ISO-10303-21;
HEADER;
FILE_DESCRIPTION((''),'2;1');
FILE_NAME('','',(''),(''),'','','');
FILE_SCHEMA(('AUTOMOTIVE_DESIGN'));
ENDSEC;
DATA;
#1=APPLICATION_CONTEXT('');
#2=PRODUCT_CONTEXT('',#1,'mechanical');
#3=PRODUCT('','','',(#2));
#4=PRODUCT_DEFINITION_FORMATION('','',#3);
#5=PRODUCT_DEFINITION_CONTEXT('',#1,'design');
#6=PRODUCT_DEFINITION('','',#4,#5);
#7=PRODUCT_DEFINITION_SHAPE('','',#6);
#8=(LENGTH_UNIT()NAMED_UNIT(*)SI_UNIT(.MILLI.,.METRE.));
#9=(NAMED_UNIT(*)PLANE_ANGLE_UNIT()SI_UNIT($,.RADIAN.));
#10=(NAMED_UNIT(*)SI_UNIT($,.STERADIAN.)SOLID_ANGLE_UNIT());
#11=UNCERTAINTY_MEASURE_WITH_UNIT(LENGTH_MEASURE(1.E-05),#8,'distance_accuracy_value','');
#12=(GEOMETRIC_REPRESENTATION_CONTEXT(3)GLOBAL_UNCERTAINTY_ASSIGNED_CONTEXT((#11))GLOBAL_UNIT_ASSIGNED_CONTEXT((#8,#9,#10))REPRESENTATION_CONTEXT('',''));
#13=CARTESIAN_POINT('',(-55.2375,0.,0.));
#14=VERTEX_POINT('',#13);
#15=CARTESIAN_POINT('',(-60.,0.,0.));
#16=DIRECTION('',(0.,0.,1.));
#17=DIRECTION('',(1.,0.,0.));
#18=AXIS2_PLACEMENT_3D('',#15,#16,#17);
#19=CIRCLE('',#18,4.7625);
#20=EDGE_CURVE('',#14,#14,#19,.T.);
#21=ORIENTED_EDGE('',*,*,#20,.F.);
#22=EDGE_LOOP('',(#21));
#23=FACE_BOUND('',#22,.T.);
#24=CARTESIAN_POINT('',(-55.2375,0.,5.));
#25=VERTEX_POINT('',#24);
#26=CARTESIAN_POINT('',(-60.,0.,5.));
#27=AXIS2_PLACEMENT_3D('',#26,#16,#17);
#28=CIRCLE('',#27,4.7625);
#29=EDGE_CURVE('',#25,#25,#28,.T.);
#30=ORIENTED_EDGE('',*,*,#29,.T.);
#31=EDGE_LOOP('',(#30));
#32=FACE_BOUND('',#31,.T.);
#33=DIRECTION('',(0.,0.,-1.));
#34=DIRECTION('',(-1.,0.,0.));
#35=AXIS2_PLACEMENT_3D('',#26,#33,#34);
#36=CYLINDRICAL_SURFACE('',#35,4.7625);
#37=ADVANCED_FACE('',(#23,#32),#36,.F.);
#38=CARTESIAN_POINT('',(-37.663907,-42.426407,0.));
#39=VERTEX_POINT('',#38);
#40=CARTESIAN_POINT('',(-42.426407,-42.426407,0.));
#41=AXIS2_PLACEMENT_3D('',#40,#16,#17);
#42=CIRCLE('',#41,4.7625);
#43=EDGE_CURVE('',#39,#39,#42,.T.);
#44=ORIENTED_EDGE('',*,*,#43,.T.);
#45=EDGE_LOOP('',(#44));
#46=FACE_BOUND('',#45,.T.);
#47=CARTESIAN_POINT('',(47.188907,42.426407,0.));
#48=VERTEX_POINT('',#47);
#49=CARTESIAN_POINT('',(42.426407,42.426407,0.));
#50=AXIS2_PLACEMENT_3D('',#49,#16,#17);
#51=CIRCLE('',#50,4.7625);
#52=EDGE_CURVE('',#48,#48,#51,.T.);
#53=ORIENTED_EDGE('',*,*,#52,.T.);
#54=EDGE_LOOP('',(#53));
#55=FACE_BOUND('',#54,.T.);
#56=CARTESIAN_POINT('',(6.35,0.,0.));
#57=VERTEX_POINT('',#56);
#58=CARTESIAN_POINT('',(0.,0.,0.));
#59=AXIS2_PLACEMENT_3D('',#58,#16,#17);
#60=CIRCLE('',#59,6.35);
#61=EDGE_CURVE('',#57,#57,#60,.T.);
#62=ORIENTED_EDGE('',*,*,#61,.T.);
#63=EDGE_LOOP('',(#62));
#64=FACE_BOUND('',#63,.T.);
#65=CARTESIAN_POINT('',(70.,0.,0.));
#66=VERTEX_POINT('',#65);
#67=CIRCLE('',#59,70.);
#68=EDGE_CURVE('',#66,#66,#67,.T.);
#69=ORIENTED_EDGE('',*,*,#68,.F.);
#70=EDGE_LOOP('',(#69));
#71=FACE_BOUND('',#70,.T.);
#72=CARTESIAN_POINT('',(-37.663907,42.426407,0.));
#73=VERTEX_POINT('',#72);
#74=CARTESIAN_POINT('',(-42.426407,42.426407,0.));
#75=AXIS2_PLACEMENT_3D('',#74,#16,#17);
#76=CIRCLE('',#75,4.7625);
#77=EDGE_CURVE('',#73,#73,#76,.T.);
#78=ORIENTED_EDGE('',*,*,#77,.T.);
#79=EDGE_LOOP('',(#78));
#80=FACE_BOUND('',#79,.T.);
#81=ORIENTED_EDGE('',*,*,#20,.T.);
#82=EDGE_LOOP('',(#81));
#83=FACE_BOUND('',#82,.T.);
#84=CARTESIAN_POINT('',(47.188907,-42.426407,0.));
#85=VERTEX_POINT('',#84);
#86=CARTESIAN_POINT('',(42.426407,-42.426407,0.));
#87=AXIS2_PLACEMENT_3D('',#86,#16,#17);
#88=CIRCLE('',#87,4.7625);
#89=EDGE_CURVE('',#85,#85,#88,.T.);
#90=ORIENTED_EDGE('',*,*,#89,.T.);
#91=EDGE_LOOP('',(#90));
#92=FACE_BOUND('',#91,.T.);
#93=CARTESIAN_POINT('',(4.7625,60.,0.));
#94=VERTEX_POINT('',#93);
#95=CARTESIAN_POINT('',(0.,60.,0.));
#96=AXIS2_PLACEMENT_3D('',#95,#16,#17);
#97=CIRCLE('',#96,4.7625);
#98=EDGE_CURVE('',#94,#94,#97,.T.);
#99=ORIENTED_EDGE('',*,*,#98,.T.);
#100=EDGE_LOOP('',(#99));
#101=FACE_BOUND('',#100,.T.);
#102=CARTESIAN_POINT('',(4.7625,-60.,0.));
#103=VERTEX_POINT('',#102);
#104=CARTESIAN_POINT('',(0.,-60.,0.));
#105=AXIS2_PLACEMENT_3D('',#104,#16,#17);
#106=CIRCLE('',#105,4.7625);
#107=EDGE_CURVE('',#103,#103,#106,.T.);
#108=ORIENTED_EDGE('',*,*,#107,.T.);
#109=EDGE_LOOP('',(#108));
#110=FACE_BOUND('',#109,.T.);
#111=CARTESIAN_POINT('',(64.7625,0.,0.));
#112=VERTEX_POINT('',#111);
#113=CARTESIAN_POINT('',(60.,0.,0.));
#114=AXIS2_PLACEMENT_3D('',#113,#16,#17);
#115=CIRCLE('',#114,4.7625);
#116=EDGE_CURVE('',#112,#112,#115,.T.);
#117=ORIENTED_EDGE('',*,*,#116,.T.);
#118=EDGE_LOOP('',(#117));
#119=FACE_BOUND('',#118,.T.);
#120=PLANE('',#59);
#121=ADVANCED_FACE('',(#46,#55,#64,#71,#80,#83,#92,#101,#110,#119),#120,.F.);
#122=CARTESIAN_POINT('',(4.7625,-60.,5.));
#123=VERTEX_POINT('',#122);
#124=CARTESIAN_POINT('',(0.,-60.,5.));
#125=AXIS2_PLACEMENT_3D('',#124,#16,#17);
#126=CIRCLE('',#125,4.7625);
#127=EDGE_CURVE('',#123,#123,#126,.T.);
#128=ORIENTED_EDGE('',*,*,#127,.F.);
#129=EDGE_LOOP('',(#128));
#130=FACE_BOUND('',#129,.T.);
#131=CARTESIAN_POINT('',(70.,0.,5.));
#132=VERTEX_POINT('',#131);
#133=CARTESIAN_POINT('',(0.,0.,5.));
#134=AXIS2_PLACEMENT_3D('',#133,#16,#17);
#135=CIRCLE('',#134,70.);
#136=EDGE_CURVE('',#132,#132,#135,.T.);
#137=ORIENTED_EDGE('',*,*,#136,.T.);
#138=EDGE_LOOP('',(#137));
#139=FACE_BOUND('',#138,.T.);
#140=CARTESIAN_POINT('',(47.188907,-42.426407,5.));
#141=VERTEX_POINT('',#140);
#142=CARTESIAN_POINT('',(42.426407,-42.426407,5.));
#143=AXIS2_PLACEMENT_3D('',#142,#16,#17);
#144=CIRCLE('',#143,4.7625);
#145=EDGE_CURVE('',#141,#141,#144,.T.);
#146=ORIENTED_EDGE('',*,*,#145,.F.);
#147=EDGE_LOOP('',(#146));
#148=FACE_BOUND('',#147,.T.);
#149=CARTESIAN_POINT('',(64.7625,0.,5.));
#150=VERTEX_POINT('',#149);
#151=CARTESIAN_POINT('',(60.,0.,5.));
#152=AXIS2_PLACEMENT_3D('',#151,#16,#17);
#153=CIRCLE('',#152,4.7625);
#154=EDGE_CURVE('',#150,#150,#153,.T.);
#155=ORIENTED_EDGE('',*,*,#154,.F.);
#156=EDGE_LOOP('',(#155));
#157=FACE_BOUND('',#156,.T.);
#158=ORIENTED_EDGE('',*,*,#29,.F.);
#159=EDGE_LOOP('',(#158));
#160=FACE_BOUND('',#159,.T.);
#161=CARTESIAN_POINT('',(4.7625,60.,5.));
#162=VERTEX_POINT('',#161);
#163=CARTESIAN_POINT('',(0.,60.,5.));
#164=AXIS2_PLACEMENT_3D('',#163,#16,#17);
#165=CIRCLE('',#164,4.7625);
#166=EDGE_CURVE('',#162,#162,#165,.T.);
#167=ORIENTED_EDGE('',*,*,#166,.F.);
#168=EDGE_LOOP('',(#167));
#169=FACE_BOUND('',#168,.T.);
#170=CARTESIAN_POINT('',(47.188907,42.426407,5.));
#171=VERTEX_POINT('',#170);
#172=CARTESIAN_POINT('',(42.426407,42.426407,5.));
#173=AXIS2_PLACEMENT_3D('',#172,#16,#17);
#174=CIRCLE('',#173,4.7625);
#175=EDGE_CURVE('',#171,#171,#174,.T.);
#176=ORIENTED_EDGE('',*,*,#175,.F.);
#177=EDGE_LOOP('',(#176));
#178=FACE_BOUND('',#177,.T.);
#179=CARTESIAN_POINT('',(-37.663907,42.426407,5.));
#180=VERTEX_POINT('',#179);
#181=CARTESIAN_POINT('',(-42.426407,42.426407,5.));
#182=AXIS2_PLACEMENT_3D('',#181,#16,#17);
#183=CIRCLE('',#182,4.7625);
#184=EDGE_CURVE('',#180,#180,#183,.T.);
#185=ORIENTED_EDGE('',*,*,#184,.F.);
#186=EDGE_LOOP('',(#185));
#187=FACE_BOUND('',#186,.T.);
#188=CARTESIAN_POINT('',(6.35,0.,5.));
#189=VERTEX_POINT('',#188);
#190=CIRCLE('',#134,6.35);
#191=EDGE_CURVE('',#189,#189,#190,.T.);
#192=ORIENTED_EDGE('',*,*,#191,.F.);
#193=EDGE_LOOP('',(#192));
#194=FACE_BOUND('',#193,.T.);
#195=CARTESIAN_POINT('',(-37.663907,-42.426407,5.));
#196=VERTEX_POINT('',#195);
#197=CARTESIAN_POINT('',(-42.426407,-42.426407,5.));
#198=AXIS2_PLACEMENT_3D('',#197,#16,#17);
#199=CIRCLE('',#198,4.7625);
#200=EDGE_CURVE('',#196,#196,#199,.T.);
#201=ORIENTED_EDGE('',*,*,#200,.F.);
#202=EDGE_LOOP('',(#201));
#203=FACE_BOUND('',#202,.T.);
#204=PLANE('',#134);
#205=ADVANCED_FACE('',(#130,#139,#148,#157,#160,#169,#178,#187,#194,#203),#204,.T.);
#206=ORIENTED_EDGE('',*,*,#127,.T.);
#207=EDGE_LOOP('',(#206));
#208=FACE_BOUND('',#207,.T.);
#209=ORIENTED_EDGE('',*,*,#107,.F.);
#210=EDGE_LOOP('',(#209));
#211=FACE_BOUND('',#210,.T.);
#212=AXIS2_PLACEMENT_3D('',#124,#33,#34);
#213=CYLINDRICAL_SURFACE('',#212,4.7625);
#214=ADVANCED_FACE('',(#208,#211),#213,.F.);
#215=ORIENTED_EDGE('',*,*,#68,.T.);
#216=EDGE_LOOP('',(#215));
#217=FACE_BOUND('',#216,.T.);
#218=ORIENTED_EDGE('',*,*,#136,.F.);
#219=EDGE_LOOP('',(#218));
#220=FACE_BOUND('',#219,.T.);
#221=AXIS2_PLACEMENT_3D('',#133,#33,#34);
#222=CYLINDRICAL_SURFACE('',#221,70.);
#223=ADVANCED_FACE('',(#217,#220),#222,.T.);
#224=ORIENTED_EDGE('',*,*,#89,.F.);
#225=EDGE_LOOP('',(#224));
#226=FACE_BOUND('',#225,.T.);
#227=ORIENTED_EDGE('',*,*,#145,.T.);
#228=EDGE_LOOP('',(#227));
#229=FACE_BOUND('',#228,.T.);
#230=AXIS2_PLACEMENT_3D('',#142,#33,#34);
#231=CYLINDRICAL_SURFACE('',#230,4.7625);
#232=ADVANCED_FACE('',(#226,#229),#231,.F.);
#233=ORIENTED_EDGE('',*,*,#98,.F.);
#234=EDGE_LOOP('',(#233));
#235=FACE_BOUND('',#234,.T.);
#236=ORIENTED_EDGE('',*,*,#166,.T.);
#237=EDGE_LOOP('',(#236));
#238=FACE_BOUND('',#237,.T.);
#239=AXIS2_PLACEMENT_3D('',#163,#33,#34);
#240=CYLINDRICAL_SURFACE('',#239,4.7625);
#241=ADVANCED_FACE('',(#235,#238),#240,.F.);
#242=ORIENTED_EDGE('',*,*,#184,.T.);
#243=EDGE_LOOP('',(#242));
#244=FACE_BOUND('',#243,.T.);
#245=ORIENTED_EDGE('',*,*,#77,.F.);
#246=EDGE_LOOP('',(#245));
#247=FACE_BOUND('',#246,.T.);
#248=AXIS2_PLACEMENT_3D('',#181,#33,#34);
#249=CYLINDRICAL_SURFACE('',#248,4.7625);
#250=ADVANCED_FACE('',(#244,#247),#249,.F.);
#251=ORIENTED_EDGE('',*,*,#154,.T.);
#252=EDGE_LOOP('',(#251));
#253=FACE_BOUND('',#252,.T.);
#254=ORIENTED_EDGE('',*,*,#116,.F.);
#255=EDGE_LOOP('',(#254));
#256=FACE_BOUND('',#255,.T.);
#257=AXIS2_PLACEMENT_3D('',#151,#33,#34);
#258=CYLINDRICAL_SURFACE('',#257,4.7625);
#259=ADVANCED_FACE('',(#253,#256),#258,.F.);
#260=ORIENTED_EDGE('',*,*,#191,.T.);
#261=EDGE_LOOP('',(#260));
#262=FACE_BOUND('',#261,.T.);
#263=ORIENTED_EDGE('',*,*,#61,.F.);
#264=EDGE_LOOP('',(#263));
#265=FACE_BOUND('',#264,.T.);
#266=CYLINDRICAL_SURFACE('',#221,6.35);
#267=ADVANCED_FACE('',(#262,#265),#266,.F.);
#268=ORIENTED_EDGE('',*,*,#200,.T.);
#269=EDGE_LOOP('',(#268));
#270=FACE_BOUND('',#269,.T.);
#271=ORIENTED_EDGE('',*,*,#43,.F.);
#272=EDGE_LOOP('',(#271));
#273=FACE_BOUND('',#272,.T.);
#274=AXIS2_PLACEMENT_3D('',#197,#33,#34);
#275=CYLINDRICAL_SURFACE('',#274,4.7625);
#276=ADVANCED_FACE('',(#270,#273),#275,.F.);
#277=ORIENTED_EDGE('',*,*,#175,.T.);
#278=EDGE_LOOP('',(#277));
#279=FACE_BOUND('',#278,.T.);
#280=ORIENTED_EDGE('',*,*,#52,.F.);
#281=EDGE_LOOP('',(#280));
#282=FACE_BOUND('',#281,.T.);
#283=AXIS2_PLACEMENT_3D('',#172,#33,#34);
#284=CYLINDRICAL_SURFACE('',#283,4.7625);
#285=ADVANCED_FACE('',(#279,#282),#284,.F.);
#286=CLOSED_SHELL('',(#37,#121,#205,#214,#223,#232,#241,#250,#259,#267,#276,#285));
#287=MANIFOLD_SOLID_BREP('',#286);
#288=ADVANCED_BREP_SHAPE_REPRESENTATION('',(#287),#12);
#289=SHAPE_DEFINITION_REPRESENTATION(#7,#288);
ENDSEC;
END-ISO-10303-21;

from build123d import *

# Parameters (mm, degrees)
SKETCH1_R        = 70
SKETCH1_R_2      = 6.35
SKETCH1_R_3      = 4.7625
ROTOR_DISC_DEPTH = 5


with BuildPart() as part:
    # Sketch1 → Rotor Disc (new body)
    with BuildSketch(Plane.XY):
        Circle(SKETCH1_R)
        Circle(SKETCH1_R_2, mode=Mode.SUBTRACT)
        with Locations((0, 60)):
            Circle(SKETCH1_R_3, mode=Mode.SUBTRACT)
        with Locations((42.426406871, 42.426406871)):
            Circle(SKETCH1_R_3, mode=Mode.SUBTRACT)
        with Locations((60, 0)):
            Circle(SKETCH1_R_3, mode=Mode.SUBTRACT)
        with Locations((42.426406871, -42.426406871)):
            Circle(SKETCH1_R_3, mode=Mode.SUBTRACT)
        with Locations((0, -60)):
            Circle(SKETCH1_R_3, mode=Mode.SUBTRACT)
        with Locations((-42.426406871, -42.426406871)):
            Circle(SKETCH1_R_3, mode=Mode.SUBTRACT)
        with Locations((-60, 0)):
            Circle(SKETCH1_R_3, mode=Mode.SUBTRACT)
        with Locations((-42.426406871, 42.426406871)):
            Circle(SKETCH1_R_3, mode=Mode.SUBTRACT)
    extrude(amount=ROTOR_DISC_DEPTH)


solid = part.part
